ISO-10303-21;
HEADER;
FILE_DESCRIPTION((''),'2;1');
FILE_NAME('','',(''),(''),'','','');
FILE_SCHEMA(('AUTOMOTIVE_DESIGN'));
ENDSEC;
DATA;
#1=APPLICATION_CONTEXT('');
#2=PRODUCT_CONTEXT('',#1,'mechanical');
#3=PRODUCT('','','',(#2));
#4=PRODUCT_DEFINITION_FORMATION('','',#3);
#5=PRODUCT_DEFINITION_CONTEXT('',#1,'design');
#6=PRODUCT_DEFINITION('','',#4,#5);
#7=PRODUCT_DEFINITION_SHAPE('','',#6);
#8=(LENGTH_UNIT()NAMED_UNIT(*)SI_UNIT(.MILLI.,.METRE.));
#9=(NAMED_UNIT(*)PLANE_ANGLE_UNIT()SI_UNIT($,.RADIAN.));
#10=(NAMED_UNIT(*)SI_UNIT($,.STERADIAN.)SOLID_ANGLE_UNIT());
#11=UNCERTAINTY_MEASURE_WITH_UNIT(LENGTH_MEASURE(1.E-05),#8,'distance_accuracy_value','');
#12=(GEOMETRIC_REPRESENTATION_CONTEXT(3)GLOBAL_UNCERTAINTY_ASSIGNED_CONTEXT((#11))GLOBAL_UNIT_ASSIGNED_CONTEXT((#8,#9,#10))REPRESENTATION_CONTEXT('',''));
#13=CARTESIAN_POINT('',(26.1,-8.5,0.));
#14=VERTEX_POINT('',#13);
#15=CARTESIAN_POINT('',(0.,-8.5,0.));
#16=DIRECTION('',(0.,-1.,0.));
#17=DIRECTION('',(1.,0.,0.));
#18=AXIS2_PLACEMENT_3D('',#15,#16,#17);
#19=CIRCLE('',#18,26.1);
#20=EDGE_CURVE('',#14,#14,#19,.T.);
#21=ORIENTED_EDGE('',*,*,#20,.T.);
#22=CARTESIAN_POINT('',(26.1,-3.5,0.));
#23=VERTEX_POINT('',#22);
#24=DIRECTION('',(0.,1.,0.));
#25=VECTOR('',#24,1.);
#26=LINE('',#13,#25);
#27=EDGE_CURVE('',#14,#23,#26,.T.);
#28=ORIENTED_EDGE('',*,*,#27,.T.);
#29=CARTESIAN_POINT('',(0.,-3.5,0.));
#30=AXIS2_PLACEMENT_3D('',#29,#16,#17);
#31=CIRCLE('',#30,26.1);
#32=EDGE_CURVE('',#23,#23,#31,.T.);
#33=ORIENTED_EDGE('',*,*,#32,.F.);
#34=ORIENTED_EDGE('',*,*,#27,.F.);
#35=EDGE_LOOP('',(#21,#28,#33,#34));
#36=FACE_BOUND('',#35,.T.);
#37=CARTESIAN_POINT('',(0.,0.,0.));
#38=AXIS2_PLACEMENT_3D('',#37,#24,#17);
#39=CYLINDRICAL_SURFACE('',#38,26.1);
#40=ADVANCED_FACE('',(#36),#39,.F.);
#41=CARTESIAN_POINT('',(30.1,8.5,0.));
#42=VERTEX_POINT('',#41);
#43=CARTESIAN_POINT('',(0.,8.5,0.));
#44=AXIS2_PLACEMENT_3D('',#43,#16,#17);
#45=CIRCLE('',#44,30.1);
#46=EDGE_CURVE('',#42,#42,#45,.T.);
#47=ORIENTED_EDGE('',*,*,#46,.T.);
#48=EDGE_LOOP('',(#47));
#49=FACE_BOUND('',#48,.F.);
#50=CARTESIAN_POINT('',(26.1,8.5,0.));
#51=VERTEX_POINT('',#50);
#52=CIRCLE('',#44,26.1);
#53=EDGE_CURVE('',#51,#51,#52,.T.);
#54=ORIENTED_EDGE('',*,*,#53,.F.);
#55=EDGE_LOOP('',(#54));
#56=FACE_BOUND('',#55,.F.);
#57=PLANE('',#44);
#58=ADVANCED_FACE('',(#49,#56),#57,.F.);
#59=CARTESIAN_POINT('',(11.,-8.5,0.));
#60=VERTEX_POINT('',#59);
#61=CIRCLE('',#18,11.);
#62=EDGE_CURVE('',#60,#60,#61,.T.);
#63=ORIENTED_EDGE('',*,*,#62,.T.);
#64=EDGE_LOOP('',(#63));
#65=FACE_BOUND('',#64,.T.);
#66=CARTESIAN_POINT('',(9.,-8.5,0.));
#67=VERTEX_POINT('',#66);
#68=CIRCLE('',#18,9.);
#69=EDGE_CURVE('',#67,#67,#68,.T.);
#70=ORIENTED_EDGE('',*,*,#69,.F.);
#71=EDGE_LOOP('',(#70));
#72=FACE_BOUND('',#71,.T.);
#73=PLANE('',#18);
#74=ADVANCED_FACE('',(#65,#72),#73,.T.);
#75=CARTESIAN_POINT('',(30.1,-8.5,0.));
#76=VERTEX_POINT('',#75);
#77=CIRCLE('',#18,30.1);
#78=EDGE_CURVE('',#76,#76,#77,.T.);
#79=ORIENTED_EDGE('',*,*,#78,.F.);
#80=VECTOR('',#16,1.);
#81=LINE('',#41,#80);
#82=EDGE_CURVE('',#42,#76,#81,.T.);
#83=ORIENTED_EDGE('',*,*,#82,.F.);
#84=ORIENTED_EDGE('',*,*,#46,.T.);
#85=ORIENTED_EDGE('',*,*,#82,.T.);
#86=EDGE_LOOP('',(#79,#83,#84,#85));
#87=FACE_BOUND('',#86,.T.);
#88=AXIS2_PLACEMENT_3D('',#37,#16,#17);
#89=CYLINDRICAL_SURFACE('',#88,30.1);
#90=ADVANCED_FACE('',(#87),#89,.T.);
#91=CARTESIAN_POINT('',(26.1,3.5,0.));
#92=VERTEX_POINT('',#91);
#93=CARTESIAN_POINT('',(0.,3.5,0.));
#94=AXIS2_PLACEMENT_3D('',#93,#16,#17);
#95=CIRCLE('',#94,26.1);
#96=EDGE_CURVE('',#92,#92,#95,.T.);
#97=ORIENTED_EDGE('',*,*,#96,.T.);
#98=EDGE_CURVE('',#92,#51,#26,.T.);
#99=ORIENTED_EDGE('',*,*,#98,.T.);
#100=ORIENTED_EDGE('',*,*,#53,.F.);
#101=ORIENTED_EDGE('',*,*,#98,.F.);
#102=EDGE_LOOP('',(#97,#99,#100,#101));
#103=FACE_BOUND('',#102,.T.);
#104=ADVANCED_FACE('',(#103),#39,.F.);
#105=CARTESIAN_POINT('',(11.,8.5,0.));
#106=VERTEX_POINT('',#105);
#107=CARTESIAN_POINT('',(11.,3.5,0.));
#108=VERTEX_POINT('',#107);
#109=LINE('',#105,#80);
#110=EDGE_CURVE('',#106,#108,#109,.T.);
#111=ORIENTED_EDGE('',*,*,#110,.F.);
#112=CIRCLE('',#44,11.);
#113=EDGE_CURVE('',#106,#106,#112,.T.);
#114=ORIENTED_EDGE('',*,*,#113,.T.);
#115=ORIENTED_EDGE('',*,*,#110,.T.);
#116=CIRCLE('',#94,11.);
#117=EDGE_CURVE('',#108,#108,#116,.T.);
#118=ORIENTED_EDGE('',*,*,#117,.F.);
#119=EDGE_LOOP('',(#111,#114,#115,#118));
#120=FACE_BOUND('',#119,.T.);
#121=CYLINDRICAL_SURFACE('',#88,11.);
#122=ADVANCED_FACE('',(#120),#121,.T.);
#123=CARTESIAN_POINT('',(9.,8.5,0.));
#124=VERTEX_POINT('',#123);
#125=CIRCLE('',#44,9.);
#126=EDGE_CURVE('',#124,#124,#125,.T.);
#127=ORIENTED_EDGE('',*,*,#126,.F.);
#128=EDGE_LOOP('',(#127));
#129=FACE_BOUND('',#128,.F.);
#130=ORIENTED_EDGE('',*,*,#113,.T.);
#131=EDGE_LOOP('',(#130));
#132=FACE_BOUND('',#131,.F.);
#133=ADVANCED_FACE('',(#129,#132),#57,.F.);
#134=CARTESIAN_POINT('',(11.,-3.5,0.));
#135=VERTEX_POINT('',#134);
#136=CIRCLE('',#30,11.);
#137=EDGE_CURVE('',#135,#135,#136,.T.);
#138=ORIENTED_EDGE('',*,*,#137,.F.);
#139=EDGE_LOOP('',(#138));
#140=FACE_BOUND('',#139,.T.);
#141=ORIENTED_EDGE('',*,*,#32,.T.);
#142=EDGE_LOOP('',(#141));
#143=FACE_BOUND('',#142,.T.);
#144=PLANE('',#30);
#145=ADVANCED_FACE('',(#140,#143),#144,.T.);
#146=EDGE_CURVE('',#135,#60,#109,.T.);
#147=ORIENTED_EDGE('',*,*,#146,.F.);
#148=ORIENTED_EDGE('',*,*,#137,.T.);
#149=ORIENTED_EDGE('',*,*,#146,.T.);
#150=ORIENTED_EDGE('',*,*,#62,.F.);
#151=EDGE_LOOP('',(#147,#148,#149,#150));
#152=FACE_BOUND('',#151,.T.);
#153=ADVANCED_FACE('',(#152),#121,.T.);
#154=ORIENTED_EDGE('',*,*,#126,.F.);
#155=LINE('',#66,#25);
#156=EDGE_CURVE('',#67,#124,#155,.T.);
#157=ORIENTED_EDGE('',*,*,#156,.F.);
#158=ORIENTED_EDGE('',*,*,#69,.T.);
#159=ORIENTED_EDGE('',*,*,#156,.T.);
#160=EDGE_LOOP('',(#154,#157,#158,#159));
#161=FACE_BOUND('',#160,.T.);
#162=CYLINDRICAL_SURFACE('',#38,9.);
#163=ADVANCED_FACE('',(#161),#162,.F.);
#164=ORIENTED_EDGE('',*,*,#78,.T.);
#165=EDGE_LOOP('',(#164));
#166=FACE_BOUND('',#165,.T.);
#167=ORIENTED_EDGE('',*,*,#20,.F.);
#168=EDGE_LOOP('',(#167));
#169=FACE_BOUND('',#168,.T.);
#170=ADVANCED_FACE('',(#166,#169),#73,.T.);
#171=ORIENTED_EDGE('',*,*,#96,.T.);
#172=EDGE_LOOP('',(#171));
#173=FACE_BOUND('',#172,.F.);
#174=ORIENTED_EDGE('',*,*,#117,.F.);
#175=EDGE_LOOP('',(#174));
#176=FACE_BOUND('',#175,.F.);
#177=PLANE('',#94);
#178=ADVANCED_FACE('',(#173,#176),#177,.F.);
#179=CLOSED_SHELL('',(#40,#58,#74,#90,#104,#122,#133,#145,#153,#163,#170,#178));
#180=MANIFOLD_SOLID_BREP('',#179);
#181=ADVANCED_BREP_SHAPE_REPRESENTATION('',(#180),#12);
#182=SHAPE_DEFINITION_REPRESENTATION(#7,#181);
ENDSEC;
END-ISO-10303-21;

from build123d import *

# Parameters (mm, degrees)
F0_R     = 11
F0_R_2   = 9
F1_DEPTH = 8.5
F0_R_3   = 26.1
F2_DEPTH = 3.5
F0_R_4   = 30.1
F3_DEPTH = 8.5


with BuildPart() as f1:
    # F0 (on Front) → F1 (new body, symmetric)
    with BuildSketch(Plane.XZ):
        Circle(F0_R)
        Circle(F0_R_2, mode=Mode.SUBTRACT)
    extrude(amount=F1_DEPTH, both=True)

    # F0 (on Front) → F2 (join, symmetric)
    with BuildSketch(Plane.XZ):
        Circle(F0_R_3)
        Circle(F0_R, mode=Mode.SUBTRACT)
    extrude(amount=F2_DEPTH, both=True)

    # F0 (on Front) → F3 (join, symmetric)
    with BuildSketch(Plane.XZ):
        Circle(F0_R_4)
        Circle(F0_R_3, mode=Mode.SUBTRACT)
    extrude(amount=F3_DEPTH, both=True)


solid = f1.part
